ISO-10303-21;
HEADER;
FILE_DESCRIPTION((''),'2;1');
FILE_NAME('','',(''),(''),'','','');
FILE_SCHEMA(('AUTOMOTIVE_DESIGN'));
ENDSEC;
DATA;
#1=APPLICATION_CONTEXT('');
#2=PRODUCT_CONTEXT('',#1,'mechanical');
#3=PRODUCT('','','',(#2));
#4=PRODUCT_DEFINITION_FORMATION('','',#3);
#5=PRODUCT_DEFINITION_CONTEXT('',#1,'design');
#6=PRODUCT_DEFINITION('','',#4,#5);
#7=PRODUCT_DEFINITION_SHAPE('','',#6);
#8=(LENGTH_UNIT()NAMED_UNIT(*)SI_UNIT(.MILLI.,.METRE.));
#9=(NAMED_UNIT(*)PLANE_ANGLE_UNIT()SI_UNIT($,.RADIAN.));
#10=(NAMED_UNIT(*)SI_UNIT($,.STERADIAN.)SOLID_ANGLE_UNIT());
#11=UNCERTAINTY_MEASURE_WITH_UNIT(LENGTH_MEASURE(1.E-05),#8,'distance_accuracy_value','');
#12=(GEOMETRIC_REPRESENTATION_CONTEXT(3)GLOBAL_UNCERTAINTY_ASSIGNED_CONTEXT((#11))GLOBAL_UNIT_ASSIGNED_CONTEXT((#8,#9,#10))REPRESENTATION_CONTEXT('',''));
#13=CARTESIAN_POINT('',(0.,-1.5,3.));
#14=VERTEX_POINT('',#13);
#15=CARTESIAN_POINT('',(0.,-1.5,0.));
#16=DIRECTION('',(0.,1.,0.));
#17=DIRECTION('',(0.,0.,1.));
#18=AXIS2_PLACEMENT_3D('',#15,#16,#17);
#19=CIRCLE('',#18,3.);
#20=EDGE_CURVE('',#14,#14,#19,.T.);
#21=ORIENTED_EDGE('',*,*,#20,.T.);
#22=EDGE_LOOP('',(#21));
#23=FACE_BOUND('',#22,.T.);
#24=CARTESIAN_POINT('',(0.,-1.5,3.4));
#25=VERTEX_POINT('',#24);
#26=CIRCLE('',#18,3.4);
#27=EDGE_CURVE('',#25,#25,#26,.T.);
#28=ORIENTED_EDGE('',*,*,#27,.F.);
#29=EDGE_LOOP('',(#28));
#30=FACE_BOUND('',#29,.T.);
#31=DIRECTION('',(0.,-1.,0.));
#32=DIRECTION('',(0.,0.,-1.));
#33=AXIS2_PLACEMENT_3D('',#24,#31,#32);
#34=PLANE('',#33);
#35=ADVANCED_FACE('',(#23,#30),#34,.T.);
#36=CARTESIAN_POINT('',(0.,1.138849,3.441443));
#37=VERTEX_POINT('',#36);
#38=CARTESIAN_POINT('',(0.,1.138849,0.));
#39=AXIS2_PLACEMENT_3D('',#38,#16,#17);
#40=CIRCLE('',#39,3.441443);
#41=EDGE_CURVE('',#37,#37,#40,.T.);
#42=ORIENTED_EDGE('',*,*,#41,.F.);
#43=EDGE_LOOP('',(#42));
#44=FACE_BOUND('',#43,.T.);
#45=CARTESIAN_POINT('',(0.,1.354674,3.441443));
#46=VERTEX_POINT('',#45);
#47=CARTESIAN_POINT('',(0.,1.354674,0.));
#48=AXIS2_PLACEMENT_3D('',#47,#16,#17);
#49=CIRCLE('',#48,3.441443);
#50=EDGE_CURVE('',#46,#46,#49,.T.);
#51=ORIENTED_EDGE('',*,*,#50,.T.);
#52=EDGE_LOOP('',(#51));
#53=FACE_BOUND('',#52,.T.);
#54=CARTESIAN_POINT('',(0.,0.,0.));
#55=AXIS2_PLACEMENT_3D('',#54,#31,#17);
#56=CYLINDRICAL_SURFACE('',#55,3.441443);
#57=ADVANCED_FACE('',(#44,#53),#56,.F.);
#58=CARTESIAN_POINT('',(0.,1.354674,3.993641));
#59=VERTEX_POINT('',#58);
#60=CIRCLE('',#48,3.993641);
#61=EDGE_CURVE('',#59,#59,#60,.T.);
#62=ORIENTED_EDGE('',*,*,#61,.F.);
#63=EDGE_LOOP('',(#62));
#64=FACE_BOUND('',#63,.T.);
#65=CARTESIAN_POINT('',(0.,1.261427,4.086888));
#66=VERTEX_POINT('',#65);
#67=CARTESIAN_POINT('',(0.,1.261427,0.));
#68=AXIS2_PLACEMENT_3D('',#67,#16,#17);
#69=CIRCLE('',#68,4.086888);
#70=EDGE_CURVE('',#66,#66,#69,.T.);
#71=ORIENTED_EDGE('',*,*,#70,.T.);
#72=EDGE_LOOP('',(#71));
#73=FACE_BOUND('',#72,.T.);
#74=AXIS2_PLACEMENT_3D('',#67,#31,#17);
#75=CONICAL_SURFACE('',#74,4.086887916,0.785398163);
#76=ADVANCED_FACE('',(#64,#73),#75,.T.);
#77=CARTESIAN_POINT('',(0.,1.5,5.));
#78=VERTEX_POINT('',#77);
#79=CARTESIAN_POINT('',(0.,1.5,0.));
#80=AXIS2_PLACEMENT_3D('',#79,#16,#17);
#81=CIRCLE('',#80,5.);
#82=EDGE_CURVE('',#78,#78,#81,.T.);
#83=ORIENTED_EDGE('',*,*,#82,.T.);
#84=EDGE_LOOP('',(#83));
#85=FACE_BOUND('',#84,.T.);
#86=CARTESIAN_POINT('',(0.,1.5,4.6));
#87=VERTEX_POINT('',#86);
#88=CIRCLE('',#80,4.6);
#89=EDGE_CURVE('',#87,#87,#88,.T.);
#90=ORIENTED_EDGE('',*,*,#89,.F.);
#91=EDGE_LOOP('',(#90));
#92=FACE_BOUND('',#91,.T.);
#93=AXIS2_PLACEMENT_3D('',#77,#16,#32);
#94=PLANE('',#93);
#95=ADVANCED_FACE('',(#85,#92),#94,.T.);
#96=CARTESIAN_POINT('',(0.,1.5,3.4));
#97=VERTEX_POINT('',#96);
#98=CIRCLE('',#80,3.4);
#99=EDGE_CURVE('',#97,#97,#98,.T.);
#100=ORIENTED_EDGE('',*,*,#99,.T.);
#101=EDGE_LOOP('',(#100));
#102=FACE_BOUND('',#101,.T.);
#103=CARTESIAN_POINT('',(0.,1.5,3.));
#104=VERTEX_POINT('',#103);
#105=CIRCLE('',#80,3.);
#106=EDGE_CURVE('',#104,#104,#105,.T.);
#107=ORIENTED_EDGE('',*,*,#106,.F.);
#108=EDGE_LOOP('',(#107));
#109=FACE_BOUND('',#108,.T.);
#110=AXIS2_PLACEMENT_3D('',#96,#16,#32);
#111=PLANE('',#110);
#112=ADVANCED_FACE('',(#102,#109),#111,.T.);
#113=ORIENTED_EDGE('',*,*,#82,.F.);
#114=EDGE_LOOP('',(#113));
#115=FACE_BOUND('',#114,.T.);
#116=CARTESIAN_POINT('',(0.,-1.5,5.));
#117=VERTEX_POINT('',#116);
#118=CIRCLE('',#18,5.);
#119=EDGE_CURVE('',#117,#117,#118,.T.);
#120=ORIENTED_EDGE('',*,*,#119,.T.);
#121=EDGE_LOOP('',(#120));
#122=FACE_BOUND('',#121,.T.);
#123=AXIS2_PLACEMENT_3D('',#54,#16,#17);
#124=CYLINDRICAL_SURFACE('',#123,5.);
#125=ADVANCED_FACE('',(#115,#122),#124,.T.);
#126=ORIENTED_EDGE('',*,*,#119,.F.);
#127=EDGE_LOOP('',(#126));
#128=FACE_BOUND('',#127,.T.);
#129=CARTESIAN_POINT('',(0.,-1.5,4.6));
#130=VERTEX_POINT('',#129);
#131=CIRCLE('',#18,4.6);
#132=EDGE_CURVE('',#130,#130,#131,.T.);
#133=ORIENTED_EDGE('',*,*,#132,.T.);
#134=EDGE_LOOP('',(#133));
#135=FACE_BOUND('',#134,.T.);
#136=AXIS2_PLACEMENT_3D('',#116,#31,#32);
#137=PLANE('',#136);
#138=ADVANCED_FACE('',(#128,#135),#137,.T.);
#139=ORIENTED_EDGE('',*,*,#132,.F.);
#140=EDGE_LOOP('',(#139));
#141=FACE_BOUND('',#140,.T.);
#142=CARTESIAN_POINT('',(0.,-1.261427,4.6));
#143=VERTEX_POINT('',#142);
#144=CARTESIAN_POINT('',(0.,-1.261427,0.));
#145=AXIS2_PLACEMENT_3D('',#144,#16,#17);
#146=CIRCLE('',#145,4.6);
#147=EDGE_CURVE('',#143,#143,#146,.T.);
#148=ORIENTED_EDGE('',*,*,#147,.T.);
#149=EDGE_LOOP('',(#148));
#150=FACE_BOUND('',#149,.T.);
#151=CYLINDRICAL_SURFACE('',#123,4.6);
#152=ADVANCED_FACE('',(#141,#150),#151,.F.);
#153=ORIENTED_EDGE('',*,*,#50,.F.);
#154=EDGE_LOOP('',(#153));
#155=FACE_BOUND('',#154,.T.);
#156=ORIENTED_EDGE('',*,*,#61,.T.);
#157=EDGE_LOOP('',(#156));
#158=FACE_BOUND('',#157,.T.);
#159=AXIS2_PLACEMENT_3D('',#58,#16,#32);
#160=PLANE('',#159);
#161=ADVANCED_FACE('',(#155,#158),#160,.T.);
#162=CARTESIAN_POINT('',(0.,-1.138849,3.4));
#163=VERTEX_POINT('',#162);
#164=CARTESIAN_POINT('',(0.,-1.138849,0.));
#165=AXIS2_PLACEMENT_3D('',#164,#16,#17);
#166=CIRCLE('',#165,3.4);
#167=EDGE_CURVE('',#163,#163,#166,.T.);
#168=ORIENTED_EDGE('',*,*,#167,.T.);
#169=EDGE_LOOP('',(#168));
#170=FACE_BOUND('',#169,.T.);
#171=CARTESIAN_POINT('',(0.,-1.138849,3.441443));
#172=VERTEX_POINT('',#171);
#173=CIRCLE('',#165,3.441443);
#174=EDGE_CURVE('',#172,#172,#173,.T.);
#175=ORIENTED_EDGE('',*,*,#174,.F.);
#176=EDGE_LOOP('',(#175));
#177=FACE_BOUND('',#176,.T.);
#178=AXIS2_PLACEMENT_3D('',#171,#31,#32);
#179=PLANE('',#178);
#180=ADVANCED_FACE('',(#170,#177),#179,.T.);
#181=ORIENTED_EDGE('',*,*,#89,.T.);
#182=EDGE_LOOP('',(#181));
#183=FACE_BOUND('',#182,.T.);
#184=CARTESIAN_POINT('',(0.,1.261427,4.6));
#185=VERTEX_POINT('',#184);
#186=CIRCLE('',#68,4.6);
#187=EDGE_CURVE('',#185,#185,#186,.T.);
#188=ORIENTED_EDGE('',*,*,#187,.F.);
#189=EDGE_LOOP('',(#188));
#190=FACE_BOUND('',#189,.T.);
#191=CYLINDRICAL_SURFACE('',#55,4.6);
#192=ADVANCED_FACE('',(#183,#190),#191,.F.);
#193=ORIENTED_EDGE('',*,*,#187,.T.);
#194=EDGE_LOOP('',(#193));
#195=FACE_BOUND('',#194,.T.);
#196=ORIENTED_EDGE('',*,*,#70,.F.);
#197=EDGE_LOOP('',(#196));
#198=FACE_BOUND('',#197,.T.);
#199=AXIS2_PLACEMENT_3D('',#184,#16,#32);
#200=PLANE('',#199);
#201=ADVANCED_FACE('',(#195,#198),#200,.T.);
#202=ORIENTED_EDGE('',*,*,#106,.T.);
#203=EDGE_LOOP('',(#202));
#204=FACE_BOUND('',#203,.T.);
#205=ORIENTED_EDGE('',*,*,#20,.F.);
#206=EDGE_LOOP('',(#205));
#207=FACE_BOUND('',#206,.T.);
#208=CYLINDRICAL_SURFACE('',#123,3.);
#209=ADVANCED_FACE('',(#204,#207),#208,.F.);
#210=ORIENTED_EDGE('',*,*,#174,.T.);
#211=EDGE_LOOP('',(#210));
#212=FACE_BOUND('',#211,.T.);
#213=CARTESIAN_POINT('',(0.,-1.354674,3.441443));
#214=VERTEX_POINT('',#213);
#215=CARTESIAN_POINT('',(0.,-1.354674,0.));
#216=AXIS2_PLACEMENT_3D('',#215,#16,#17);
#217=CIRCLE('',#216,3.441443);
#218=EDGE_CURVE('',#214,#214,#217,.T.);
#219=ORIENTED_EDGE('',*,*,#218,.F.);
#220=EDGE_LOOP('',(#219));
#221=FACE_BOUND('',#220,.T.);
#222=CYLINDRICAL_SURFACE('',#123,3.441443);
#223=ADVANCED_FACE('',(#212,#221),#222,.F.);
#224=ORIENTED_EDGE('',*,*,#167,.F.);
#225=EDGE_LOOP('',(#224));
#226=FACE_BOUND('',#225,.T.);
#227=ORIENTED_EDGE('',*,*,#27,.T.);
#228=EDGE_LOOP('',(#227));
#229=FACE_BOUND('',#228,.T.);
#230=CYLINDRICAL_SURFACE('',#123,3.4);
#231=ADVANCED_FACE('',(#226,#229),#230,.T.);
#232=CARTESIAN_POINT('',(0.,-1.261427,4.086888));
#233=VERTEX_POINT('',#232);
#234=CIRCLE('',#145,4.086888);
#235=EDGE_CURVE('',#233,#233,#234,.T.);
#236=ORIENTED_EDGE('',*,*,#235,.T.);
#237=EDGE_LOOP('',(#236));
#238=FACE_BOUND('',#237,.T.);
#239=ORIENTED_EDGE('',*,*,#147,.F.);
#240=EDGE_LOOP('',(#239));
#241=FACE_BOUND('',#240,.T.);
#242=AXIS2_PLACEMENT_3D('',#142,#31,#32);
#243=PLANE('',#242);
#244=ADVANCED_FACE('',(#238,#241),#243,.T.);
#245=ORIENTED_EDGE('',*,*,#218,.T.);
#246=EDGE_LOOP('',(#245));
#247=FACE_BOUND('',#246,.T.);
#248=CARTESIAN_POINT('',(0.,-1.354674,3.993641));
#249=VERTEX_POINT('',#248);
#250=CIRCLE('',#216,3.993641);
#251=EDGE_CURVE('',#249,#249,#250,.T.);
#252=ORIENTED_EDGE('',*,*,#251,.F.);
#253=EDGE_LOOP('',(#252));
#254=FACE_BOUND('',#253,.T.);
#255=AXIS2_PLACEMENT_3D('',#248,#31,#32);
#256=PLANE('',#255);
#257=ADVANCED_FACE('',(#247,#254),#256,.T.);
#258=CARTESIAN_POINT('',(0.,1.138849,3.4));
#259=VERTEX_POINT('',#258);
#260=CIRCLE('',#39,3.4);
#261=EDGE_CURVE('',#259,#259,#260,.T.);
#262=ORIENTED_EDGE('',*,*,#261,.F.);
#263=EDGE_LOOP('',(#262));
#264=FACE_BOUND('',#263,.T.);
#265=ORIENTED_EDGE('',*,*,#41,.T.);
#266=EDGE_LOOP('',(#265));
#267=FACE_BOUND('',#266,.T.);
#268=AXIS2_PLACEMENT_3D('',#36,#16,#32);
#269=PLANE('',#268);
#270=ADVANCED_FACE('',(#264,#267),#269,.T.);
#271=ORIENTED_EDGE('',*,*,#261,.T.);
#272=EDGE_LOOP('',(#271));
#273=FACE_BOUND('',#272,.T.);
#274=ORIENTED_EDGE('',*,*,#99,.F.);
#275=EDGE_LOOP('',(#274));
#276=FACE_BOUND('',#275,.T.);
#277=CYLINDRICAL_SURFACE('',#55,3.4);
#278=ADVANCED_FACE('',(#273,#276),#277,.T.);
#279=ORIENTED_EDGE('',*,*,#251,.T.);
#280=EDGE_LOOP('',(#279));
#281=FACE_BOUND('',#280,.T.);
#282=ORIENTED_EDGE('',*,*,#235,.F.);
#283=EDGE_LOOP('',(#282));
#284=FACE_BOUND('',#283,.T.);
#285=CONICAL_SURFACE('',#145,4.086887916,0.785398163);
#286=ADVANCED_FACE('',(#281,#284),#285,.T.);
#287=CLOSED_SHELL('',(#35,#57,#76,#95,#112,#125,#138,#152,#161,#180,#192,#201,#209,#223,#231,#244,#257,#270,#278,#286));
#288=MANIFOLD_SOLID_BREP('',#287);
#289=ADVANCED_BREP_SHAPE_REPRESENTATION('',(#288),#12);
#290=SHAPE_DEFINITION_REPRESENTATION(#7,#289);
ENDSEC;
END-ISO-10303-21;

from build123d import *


with BuildPart() as part:
    # Sketch1 → Revolve1 (revolve)
    with BuildSketch(Plane(origin=(0, 0, 0), x_dir=(0, 0, -1), z_dir=(1, 0, 0))):
        Polygon((-5, 0), (-5, -1.5), (-4.6, -1.5), (-4.6, -1.261427486), (-4.086887916, -1.261427486), (-3.993641091, -1.354674311), (-3.441442884, -1.354674311), (-3.441442884, -1.138849172), (-3.4, -1.138849172), (-3.4, -1.5), (-3, -1.5), (-3, 0), align=None)
    revolve1 = revolve(axis=Axis((0, 0, 0), (0, -1, 0)))

    # Mirror1: Revolve1 across plane
    add(revolve1.mirror(Plane(origin=(0, 0, 3), x_dir=(0, 0, 1), z_dir=(0, 1, 0))))


solid = part.part
